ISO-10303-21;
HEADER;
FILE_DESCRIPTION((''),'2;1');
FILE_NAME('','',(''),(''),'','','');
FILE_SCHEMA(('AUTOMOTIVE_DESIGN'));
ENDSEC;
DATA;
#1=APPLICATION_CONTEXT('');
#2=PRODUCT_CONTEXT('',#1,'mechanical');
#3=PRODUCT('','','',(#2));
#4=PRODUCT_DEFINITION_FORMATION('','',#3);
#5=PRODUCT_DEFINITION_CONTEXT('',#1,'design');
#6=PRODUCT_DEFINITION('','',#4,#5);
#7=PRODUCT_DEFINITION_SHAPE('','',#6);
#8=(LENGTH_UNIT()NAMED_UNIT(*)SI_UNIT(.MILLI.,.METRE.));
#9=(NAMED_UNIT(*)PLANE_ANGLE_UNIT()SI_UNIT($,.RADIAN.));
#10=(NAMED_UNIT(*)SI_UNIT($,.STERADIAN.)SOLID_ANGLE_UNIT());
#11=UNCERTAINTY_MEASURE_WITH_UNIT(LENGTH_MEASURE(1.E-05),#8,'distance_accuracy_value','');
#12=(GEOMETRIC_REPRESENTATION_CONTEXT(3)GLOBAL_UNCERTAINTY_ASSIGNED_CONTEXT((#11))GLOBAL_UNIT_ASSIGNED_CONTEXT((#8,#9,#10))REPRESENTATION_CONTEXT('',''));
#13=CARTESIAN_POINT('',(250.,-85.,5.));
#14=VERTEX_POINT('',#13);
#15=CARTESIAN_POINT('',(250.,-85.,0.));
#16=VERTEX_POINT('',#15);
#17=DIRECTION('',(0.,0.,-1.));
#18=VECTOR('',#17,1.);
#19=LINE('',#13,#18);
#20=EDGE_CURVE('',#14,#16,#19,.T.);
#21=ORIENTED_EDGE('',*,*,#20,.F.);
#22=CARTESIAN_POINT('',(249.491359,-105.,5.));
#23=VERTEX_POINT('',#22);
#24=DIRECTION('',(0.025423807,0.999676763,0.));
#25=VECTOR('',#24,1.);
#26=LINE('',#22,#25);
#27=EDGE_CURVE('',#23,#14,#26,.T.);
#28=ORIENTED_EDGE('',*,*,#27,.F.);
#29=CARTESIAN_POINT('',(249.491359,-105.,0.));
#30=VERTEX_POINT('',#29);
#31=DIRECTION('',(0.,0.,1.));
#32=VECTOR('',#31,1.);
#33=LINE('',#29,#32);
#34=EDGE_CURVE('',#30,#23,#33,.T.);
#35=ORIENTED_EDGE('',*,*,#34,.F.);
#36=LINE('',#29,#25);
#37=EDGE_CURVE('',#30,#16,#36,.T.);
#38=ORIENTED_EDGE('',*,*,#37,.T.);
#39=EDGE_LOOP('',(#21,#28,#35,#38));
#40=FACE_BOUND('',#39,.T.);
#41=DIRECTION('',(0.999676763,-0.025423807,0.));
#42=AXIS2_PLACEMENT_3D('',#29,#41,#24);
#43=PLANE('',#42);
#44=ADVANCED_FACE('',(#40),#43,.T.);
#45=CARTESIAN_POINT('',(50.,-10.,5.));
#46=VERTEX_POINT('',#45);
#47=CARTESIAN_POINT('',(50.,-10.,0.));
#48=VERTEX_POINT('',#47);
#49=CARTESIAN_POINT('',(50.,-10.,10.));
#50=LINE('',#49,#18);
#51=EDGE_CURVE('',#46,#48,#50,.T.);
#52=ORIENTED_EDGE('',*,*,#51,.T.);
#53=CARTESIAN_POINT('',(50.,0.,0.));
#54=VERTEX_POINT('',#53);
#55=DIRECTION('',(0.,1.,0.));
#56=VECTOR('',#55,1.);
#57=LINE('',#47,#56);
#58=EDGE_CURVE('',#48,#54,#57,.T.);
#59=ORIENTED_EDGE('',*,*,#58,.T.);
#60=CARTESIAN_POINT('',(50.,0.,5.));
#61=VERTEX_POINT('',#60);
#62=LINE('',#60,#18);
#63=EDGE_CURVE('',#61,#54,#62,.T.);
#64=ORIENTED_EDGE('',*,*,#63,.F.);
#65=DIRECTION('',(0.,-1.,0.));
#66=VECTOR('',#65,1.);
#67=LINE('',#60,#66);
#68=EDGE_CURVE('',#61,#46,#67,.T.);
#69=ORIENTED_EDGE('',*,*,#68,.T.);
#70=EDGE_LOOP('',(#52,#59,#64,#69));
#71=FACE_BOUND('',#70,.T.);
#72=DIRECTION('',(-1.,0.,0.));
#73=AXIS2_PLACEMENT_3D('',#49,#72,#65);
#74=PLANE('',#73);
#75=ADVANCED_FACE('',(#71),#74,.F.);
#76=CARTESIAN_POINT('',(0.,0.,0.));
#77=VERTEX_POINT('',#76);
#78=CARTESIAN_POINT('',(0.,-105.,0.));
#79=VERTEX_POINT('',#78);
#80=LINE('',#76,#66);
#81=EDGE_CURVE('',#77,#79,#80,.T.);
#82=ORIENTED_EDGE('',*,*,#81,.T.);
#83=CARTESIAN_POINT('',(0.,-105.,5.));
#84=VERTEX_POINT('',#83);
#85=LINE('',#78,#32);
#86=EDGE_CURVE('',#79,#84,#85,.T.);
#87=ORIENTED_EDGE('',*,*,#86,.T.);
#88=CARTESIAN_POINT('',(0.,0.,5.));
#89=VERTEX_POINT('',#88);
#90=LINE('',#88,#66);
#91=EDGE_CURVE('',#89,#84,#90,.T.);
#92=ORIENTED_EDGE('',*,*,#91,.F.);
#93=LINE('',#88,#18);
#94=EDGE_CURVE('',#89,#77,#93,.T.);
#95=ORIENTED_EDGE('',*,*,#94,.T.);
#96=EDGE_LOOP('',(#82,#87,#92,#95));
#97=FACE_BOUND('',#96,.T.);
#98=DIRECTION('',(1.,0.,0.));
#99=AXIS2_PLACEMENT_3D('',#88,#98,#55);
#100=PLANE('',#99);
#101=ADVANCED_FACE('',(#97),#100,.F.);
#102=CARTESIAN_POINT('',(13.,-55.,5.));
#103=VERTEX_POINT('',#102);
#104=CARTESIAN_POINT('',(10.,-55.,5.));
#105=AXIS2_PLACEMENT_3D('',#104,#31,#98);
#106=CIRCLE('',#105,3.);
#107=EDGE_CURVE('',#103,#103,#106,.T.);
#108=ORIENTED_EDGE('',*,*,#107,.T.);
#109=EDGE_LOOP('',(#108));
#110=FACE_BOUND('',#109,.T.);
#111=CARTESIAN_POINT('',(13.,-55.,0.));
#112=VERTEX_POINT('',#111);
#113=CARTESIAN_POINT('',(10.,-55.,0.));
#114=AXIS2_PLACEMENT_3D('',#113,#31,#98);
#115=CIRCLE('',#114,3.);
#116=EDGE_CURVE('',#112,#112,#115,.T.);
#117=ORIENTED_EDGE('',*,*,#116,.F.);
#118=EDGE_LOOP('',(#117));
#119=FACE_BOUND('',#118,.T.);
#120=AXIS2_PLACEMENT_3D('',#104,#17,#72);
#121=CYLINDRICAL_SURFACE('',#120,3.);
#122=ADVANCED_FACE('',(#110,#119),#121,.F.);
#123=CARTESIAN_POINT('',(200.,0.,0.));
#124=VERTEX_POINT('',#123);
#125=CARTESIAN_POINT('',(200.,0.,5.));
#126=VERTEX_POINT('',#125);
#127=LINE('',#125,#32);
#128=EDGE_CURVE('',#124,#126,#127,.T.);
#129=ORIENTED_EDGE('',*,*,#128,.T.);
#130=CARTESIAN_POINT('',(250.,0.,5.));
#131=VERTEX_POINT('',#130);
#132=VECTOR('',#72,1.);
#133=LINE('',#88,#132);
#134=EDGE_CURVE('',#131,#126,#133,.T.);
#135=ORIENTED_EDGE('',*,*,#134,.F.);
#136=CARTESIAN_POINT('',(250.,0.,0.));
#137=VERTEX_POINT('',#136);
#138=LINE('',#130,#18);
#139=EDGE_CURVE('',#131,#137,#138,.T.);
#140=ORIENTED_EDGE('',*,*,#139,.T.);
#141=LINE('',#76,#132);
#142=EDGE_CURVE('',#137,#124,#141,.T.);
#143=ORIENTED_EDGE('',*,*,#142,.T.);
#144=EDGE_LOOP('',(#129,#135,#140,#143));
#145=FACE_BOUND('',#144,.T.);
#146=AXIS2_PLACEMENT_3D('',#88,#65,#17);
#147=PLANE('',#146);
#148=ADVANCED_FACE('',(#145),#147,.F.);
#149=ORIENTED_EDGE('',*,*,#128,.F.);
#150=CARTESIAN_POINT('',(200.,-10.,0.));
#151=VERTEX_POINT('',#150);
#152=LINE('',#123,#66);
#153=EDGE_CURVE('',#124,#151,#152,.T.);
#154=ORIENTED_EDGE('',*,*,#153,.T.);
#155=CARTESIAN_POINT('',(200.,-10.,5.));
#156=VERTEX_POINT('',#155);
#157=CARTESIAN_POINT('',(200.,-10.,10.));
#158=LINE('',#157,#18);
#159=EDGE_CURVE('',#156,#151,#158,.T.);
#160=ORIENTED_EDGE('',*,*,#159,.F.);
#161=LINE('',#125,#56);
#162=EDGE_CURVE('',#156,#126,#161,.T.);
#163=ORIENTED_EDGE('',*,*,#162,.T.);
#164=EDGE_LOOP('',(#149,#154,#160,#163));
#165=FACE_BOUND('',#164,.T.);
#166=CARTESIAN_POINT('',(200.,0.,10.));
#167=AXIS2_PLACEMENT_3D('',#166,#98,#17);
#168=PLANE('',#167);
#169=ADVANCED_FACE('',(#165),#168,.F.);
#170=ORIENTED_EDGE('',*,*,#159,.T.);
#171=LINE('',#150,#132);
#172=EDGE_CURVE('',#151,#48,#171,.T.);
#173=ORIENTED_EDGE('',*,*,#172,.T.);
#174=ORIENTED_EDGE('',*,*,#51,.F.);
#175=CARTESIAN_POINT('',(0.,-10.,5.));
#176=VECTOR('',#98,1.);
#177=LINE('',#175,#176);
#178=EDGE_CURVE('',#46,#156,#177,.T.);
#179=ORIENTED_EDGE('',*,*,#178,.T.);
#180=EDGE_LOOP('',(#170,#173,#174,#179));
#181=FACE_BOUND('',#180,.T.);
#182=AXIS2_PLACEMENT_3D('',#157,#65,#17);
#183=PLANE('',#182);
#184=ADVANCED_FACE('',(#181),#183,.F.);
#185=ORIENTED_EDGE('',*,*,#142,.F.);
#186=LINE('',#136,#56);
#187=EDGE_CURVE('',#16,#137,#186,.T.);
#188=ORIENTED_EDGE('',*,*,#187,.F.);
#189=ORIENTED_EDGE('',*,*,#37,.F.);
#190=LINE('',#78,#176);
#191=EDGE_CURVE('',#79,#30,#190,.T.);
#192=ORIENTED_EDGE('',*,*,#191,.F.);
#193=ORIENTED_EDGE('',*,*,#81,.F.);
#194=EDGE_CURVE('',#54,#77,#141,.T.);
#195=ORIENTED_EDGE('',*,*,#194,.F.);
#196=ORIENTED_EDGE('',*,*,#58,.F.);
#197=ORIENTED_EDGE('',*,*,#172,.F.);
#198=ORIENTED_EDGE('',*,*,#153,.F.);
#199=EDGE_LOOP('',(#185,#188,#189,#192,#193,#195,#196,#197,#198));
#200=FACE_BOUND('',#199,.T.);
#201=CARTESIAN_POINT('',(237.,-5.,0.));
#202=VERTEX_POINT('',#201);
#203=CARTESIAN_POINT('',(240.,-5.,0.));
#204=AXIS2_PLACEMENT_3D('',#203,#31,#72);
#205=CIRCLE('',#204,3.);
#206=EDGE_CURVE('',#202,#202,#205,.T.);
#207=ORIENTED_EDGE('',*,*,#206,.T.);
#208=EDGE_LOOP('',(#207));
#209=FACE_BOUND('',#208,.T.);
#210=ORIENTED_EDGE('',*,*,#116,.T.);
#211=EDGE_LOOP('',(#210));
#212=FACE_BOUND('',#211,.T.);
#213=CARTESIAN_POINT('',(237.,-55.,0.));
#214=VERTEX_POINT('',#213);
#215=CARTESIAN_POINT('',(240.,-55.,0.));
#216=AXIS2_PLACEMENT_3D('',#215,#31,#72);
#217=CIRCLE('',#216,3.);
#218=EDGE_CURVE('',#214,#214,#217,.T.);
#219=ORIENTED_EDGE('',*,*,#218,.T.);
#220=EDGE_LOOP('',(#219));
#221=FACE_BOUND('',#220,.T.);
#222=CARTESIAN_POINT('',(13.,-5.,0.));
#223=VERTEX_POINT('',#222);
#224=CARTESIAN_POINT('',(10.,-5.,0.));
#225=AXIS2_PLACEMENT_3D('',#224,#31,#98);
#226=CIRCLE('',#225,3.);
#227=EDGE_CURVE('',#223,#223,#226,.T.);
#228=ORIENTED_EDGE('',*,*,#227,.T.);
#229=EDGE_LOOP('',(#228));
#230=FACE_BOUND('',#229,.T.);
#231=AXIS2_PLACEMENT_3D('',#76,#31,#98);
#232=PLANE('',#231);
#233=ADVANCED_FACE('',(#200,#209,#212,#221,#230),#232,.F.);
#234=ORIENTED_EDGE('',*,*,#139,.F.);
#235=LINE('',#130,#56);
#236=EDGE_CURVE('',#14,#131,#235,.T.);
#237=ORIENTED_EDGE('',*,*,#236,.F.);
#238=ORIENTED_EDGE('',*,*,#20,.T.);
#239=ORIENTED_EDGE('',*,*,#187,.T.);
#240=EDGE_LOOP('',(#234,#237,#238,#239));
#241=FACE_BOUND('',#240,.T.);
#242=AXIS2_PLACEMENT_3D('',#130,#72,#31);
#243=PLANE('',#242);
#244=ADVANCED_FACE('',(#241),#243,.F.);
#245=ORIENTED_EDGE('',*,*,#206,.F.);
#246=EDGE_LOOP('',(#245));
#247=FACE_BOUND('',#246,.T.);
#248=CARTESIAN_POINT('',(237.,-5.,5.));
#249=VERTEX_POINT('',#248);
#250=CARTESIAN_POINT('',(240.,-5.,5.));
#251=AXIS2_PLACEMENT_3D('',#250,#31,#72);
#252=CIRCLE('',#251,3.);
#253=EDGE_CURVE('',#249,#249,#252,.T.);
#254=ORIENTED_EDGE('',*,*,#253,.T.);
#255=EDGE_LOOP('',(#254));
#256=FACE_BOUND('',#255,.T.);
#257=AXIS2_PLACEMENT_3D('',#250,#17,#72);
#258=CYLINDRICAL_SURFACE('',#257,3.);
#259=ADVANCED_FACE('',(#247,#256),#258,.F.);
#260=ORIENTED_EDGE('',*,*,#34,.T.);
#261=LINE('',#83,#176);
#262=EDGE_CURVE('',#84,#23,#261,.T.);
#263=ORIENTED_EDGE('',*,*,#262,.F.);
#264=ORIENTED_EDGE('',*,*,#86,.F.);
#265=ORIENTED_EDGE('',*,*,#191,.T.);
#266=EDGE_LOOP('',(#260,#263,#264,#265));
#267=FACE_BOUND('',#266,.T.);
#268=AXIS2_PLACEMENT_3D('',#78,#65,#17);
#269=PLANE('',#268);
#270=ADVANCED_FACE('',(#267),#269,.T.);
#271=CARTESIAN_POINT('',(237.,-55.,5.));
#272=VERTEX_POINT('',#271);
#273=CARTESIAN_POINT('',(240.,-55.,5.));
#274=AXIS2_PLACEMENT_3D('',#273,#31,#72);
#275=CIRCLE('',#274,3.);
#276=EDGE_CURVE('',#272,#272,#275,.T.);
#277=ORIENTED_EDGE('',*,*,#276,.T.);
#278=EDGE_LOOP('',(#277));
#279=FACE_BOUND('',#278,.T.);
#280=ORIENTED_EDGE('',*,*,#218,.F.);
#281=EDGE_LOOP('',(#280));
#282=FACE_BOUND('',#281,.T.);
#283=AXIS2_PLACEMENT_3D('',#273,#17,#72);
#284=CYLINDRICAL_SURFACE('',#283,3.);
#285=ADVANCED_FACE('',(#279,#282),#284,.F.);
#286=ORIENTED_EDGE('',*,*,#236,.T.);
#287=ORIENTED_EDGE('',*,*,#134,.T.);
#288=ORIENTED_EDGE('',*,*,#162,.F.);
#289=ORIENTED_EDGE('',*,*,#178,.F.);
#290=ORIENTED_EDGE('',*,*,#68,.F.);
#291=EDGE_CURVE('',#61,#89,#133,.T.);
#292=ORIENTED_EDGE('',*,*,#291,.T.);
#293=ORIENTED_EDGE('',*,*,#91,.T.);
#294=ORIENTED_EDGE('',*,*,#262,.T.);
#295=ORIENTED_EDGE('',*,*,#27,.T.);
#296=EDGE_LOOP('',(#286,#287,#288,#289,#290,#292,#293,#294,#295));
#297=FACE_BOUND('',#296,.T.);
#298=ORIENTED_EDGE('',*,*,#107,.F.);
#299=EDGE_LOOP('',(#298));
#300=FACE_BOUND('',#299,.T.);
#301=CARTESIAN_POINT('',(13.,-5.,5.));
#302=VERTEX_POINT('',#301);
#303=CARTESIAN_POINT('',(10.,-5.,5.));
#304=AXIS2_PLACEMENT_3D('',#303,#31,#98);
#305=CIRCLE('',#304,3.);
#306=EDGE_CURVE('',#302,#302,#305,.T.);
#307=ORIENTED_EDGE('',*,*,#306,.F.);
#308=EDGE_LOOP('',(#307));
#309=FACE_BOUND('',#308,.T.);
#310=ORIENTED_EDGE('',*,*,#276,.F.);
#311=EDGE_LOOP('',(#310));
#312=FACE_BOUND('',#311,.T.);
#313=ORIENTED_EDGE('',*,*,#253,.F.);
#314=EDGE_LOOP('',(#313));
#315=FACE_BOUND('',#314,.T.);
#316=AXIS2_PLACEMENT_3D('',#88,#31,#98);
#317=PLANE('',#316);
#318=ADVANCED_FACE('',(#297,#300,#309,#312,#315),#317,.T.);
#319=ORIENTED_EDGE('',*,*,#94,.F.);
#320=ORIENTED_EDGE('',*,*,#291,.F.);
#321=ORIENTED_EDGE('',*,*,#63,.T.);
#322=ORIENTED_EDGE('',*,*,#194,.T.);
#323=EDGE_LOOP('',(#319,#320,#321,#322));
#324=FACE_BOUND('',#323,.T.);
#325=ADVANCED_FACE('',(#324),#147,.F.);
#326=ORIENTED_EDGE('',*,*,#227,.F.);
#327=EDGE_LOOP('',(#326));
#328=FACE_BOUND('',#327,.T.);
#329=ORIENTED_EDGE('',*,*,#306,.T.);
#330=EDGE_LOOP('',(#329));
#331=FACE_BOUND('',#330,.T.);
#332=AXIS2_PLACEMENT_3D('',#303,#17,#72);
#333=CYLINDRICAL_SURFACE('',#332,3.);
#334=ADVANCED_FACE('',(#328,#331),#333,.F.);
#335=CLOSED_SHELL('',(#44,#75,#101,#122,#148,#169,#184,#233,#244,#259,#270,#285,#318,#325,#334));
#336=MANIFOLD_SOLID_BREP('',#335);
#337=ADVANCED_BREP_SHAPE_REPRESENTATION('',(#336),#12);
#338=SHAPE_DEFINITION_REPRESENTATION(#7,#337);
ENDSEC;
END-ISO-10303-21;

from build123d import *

# Parameters (mm, degrees)
ESQUISSE1_W             = 250
ESQUISSE1_H             = 85
ESQUISSE1_R             = 3
BOSS_EXTRU_1_DEPTH      = 5
BOSS_EXTRU_2_DEPTH      = 5
ESQUISSE3_W             = 150
ESQUISSE3_H             = 10
ENL_V_MAT_EXTRU_1_DEPTH = 10


with BuildPart() as part:
    # Esquisse1 → Boss.-Extru.1 (new body)
    with BuildSketch(Plane.XY):
        with Locations((125, -42.5)):
            Rectangle(ESQUISSE1_W, ESQUISSE1_H)
        with Locations((10, -5)):
            Circle(ESQUISSE1_R, mode=Mode.SUBTRACT)
        with Locations((10, -55)):
            Circle(ESQUISSE1_R, mode=Mode.SUBTRACT)
        with Locations(Location((240, -55, 0), (0, 0, 180))):
            Circle(ESQUISSE1_R, mode=Mode.SUBTRACT)
        with Locations(Location((240, -5, 0), (0, 0, 180))):
            Circle(ESQUISSE1_R, mode=Mode.SUBTRACT)
    extrude(amount=BOSS_EXTRU_1_DEPTH)

    # Esquisse2 → Boss.-Extru.2 (add)
    with BuildSketch(Plane.XY.offset(5)):
        Polygon((0, -85), (0, -105), (249.491359447, -105), (250, -85), align=None)
    extrude(amount=-BOSS_EXTRU_2_DEPTH)

    # Esquisse3 → Enlèv. mat.-Extru.1 (cut)
    with BuildSketch(Plane(origin=(0, 0, 0), x_dir=(-1, 0, 0), z_dir=(0, 0, -1))):
        with Locations((-125, -5)):
            Rectangle(ESQUISSE3_W, ESQUISSE3_H)
    extrude(amount=-ENL_V_MAT_EXTRU_1_DEPTH, mode=Mode.SUBTRACT)


solid = part.part
